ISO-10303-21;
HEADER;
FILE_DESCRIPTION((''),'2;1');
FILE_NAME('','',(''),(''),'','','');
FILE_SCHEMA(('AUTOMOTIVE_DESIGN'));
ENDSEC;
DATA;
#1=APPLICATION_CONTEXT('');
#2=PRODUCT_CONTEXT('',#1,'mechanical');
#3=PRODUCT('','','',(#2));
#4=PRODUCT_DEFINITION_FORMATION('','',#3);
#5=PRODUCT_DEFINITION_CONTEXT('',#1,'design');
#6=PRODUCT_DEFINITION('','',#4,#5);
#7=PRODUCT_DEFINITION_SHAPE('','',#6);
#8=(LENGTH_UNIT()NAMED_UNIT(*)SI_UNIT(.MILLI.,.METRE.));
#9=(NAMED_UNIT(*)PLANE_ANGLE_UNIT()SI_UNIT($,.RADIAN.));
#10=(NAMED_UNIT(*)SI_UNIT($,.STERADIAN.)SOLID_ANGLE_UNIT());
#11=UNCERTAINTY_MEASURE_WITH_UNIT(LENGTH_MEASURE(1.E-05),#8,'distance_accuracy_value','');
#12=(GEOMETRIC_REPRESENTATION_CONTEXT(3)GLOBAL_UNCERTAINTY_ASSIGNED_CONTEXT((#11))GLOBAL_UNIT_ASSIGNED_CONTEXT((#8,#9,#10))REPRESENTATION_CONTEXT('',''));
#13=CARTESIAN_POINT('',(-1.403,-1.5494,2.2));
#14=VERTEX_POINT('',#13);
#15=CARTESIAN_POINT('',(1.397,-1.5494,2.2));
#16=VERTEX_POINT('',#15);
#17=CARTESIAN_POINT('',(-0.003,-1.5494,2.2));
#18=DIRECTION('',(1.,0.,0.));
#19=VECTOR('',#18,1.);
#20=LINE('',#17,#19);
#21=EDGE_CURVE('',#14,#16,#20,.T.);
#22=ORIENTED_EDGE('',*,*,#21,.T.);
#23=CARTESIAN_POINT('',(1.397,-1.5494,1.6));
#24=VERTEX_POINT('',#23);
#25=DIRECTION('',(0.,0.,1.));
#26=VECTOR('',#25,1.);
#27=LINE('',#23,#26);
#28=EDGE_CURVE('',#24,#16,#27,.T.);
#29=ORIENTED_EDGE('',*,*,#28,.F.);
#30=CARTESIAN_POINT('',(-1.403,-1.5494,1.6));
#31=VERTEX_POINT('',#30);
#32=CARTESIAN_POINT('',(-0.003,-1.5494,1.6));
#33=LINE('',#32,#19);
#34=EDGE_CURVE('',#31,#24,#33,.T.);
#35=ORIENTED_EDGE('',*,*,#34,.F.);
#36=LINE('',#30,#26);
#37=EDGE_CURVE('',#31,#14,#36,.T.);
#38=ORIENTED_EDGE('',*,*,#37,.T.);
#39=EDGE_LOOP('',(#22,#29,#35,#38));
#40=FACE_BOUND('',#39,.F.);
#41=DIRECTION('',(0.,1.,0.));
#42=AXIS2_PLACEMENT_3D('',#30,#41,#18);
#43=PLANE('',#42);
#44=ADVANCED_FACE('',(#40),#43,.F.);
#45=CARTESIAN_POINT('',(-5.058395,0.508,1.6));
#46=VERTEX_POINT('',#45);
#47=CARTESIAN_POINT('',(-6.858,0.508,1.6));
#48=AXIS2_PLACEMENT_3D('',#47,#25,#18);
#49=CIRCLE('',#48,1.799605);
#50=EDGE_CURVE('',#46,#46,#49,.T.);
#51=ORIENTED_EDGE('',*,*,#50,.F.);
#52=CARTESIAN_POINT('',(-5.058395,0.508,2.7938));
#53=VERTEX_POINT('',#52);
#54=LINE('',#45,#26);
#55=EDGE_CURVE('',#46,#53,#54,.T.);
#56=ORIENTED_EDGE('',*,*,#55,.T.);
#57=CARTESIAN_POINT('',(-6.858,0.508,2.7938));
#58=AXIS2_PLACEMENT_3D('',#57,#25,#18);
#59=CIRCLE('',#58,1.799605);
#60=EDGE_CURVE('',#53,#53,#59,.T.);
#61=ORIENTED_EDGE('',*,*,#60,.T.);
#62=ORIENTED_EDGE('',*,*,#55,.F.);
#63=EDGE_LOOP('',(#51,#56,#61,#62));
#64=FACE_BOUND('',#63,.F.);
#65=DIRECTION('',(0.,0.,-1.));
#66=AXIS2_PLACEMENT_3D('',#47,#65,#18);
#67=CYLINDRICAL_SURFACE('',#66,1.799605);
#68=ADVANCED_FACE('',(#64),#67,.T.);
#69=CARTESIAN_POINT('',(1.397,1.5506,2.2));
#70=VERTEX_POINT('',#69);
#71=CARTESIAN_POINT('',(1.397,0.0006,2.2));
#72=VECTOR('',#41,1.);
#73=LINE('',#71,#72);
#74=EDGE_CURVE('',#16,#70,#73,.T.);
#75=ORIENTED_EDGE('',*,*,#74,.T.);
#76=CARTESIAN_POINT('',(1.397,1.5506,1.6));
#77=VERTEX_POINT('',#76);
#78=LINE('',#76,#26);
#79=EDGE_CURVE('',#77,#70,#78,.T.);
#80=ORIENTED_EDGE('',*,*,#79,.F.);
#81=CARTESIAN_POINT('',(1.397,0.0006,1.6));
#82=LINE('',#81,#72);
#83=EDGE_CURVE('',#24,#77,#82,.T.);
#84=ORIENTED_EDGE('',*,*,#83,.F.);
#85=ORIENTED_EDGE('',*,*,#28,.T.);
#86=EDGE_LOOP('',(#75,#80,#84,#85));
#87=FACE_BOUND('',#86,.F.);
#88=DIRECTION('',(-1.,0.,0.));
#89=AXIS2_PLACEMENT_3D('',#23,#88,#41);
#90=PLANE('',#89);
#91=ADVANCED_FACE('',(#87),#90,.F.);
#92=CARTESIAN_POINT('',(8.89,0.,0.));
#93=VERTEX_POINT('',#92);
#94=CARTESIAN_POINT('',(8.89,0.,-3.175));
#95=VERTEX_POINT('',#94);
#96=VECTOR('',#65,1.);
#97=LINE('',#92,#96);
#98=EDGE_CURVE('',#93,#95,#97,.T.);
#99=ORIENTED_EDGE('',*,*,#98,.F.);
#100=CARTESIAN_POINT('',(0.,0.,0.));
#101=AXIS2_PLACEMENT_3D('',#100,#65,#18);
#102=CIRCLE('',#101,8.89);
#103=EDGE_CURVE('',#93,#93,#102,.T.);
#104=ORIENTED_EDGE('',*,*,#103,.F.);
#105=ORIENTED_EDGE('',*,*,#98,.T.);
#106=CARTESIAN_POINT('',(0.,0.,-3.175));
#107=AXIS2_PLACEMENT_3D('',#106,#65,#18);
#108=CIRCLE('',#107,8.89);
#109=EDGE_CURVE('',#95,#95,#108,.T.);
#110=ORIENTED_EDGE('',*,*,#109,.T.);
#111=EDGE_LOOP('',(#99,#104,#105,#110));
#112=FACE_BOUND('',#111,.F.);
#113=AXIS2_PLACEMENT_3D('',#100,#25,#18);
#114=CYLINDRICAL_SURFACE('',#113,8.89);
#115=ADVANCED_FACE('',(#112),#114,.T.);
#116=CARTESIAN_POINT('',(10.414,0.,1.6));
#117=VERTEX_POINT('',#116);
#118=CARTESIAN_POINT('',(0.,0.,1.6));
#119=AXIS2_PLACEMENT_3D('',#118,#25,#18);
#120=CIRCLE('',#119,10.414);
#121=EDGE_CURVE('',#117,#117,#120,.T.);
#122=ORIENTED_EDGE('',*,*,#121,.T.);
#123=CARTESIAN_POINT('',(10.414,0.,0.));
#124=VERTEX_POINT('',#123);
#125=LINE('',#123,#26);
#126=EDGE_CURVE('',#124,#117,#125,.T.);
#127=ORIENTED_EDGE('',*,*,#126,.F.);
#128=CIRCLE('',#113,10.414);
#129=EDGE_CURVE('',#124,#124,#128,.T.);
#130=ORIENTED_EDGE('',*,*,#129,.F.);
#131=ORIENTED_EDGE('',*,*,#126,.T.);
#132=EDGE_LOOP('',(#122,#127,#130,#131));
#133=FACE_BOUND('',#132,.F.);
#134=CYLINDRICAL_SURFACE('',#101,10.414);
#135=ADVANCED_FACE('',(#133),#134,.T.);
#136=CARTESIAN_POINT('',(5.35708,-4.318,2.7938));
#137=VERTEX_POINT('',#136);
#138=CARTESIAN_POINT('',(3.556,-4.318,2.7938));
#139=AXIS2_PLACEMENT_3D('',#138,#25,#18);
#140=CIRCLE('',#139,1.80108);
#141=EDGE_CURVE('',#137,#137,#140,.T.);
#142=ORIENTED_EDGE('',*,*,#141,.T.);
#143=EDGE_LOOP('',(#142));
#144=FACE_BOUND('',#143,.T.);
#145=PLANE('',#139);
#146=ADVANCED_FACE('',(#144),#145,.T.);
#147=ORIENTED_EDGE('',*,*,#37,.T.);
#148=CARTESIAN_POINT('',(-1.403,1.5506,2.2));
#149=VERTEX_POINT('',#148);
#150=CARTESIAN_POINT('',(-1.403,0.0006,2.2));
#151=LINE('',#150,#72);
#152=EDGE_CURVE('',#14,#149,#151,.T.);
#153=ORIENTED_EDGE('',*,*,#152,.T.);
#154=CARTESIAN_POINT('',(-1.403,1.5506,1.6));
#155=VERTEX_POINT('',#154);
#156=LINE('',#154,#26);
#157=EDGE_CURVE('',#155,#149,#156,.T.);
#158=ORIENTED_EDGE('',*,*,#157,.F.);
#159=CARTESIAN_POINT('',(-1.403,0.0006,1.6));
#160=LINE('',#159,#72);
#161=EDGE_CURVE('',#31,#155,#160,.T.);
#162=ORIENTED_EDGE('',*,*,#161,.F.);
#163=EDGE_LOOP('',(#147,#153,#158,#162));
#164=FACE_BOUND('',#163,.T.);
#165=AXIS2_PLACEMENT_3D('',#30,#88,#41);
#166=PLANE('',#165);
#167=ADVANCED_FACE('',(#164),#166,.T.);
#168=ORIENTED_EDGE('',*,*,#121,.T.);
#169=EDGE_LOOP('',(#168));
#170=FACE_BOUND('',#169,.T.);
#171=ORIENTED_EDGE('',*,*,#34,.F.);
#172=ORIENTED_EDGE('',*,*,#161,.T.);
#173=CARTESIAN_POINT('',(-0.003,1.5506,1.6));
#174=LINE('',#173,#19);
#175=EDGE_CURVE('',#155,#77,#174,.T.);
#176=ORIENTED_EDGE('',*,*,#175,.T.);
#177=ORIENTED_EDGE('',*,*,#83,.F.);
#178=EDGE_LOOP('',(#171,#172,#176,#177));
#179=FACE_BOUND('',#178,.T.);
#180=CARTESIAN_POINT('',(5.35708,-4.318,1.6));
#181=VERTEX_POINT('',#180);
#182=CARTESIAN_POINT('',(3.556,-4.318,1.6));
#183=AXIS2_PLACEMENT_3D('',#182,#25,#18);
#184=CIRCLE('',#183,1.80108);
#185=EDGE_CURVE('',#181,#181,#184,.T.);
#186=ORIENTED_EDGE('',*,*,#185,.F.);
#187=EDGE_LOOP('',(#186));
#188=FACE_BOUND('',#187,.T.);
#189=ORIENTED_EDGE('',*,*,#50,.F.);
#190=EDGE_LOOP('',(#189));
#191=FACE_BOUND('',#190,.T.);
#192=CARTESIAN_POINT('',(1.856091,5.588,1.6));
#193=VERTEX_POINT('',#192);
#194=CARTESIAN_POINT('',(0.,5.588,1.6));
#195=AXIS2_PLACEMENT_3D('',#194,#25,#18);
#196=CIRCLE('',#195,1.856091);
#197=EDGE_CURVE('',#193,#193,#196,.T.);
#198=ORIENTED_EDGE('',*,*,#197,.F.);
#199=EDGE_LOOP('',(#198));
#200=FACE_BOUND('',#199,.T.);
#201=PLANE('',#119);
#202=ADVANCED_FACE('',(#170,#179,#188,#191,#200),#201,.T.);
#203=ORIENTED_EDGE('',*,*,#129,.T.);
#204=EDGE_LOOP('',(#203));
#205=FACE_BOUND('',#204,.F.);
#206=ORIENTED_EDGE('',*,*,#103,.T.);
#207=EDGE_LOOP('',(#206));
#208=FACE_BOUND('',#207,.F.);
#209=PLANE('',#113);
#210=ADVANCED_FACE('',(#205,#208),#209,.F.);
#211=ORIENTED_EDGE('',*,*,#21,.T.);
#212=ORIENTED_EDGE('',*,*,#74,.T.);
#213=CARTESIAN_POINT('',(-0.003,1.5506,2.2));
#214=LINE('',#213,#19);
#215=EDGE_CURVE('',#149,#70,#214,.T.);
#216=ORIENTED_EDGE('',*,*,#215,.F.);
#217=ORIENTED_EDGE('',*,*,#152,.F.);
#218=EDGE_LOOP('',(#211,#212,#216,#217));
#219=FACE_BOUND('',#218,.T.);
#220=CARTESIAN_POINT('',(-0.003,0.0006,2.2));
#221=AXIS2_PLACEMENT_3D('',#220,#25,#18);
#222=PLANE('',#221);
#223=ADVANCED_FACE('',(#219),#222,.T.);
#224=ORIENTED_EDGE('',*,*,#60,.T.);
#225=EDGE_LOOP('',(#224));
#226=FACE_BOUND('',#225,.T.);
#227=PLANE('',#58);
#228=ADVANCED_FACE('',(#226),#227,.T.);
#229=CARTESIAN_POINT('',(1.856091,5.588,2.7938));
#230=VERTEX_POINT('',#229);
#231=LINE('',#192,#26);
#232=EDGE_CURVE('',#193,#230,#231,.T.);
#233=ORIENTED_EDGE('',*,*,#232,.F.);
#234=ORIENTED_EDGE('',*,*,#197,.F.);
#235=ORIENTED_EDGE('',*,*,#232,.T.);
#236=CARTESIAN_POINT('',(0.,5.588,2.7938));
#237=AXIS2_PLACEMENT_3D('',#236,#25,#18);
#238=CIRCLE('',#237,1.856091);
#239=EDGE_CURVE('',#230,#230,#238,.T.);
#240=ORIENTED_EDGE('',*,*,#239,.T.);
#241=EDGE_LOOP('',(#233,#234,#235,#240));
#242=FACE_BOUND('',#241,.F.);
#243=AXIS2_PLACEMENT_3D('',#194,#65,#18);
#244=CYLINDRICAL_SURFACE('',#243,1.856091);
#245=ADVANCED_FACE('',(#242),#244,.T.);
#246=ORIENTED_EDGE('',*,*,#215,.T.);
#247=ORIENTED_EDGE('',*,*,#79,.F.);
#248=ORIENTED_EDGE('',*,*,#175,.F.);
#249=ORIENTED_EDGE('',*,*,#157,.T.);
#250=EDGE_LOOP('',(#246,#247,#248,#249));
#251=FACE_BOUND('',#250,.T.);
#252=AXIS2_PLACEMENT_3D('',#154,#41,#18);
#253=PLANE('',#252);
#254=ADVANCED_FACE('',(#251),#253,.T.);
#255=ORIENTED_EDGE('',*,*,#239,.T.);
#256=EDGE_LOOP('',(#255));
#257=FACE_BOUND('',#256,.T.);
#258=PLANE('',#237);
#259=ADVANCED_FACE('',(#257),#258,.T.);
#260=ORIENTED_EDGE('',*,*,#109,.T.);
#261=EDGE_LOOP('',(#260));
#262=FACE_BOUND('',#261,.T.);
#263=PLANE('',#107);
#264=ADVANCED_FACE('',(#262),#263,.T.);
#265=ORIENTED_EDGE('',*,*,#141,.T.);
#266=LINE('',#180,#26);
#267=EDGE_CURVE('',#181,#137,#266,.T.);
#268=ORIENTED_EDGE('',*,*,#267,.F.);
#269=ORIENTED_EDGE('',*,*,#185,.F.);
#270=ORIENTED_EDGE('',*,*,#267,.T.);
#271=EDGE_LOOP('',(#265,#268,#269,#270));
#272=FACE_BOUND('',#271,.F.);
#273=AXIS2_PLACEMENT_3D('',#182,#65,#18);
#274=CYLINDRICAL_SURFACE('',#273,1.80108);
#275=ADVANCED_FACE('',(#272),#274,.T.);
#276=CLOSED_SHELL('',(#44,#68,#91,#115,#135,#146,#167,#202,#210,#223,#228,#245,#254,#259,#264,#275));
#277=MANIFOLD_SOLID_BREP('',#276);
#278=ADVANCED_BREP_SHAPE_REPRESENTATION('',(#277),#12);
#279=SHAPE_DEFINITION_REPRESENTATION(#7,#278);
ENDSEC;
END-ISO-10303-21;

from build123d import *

# Parameters (mm, degrees)
F0_R     = 10.414
F1_DEPTH = 1.6
F2_R     = 8.89
F3_DEPTH = 3.175
F4_R     = 1.856091
F4_R_2   = 1.80108
F4_R_3   = 1.799605
F5_DEPTH = 1.1938
F6_W     = 2.8
F6_H     = 3.1
F7_DEPTH = 0.6


with BuildPart() as f1:
    # F0 (on Top) → F1 (new body)
    with BuildSketch(Plane.XY):
        Circle(F0_R)
    extrude(amount=F1_DEPTH)

    # F2 (on face) → F3 (join)
    with BuildSketch(Plane(origin=(0, 0, 0), x_dir=(1, 0, 0), z_dir=(0, 0, -1))):
        Circle(F2_R)
    extrude(amount=F3_DEPTH)

    # F4 (on face) → F5 (join)
    with BuildSketch(Plane.XY.offset(1.6)):
        with Locations((0, 5.588)):
            Circle(F4_R)
        with Locations((3.556, -4.318)):
            Circle(F4_R_2)
        with Locations((-6.858, 0.508)):
            Circle(F4_R_3)
    extrude(amount=F5_DEPTH)

    # F6 (on face) → F7 (join)
    with BuildSketch(Plane.XY.offset(1.6)):
        with Locations((-0.003, 0.0006)):
            Rectangle(F6_W, F6_H)
    extrude(amount=F7_DEPTH)


solid = f1.part
